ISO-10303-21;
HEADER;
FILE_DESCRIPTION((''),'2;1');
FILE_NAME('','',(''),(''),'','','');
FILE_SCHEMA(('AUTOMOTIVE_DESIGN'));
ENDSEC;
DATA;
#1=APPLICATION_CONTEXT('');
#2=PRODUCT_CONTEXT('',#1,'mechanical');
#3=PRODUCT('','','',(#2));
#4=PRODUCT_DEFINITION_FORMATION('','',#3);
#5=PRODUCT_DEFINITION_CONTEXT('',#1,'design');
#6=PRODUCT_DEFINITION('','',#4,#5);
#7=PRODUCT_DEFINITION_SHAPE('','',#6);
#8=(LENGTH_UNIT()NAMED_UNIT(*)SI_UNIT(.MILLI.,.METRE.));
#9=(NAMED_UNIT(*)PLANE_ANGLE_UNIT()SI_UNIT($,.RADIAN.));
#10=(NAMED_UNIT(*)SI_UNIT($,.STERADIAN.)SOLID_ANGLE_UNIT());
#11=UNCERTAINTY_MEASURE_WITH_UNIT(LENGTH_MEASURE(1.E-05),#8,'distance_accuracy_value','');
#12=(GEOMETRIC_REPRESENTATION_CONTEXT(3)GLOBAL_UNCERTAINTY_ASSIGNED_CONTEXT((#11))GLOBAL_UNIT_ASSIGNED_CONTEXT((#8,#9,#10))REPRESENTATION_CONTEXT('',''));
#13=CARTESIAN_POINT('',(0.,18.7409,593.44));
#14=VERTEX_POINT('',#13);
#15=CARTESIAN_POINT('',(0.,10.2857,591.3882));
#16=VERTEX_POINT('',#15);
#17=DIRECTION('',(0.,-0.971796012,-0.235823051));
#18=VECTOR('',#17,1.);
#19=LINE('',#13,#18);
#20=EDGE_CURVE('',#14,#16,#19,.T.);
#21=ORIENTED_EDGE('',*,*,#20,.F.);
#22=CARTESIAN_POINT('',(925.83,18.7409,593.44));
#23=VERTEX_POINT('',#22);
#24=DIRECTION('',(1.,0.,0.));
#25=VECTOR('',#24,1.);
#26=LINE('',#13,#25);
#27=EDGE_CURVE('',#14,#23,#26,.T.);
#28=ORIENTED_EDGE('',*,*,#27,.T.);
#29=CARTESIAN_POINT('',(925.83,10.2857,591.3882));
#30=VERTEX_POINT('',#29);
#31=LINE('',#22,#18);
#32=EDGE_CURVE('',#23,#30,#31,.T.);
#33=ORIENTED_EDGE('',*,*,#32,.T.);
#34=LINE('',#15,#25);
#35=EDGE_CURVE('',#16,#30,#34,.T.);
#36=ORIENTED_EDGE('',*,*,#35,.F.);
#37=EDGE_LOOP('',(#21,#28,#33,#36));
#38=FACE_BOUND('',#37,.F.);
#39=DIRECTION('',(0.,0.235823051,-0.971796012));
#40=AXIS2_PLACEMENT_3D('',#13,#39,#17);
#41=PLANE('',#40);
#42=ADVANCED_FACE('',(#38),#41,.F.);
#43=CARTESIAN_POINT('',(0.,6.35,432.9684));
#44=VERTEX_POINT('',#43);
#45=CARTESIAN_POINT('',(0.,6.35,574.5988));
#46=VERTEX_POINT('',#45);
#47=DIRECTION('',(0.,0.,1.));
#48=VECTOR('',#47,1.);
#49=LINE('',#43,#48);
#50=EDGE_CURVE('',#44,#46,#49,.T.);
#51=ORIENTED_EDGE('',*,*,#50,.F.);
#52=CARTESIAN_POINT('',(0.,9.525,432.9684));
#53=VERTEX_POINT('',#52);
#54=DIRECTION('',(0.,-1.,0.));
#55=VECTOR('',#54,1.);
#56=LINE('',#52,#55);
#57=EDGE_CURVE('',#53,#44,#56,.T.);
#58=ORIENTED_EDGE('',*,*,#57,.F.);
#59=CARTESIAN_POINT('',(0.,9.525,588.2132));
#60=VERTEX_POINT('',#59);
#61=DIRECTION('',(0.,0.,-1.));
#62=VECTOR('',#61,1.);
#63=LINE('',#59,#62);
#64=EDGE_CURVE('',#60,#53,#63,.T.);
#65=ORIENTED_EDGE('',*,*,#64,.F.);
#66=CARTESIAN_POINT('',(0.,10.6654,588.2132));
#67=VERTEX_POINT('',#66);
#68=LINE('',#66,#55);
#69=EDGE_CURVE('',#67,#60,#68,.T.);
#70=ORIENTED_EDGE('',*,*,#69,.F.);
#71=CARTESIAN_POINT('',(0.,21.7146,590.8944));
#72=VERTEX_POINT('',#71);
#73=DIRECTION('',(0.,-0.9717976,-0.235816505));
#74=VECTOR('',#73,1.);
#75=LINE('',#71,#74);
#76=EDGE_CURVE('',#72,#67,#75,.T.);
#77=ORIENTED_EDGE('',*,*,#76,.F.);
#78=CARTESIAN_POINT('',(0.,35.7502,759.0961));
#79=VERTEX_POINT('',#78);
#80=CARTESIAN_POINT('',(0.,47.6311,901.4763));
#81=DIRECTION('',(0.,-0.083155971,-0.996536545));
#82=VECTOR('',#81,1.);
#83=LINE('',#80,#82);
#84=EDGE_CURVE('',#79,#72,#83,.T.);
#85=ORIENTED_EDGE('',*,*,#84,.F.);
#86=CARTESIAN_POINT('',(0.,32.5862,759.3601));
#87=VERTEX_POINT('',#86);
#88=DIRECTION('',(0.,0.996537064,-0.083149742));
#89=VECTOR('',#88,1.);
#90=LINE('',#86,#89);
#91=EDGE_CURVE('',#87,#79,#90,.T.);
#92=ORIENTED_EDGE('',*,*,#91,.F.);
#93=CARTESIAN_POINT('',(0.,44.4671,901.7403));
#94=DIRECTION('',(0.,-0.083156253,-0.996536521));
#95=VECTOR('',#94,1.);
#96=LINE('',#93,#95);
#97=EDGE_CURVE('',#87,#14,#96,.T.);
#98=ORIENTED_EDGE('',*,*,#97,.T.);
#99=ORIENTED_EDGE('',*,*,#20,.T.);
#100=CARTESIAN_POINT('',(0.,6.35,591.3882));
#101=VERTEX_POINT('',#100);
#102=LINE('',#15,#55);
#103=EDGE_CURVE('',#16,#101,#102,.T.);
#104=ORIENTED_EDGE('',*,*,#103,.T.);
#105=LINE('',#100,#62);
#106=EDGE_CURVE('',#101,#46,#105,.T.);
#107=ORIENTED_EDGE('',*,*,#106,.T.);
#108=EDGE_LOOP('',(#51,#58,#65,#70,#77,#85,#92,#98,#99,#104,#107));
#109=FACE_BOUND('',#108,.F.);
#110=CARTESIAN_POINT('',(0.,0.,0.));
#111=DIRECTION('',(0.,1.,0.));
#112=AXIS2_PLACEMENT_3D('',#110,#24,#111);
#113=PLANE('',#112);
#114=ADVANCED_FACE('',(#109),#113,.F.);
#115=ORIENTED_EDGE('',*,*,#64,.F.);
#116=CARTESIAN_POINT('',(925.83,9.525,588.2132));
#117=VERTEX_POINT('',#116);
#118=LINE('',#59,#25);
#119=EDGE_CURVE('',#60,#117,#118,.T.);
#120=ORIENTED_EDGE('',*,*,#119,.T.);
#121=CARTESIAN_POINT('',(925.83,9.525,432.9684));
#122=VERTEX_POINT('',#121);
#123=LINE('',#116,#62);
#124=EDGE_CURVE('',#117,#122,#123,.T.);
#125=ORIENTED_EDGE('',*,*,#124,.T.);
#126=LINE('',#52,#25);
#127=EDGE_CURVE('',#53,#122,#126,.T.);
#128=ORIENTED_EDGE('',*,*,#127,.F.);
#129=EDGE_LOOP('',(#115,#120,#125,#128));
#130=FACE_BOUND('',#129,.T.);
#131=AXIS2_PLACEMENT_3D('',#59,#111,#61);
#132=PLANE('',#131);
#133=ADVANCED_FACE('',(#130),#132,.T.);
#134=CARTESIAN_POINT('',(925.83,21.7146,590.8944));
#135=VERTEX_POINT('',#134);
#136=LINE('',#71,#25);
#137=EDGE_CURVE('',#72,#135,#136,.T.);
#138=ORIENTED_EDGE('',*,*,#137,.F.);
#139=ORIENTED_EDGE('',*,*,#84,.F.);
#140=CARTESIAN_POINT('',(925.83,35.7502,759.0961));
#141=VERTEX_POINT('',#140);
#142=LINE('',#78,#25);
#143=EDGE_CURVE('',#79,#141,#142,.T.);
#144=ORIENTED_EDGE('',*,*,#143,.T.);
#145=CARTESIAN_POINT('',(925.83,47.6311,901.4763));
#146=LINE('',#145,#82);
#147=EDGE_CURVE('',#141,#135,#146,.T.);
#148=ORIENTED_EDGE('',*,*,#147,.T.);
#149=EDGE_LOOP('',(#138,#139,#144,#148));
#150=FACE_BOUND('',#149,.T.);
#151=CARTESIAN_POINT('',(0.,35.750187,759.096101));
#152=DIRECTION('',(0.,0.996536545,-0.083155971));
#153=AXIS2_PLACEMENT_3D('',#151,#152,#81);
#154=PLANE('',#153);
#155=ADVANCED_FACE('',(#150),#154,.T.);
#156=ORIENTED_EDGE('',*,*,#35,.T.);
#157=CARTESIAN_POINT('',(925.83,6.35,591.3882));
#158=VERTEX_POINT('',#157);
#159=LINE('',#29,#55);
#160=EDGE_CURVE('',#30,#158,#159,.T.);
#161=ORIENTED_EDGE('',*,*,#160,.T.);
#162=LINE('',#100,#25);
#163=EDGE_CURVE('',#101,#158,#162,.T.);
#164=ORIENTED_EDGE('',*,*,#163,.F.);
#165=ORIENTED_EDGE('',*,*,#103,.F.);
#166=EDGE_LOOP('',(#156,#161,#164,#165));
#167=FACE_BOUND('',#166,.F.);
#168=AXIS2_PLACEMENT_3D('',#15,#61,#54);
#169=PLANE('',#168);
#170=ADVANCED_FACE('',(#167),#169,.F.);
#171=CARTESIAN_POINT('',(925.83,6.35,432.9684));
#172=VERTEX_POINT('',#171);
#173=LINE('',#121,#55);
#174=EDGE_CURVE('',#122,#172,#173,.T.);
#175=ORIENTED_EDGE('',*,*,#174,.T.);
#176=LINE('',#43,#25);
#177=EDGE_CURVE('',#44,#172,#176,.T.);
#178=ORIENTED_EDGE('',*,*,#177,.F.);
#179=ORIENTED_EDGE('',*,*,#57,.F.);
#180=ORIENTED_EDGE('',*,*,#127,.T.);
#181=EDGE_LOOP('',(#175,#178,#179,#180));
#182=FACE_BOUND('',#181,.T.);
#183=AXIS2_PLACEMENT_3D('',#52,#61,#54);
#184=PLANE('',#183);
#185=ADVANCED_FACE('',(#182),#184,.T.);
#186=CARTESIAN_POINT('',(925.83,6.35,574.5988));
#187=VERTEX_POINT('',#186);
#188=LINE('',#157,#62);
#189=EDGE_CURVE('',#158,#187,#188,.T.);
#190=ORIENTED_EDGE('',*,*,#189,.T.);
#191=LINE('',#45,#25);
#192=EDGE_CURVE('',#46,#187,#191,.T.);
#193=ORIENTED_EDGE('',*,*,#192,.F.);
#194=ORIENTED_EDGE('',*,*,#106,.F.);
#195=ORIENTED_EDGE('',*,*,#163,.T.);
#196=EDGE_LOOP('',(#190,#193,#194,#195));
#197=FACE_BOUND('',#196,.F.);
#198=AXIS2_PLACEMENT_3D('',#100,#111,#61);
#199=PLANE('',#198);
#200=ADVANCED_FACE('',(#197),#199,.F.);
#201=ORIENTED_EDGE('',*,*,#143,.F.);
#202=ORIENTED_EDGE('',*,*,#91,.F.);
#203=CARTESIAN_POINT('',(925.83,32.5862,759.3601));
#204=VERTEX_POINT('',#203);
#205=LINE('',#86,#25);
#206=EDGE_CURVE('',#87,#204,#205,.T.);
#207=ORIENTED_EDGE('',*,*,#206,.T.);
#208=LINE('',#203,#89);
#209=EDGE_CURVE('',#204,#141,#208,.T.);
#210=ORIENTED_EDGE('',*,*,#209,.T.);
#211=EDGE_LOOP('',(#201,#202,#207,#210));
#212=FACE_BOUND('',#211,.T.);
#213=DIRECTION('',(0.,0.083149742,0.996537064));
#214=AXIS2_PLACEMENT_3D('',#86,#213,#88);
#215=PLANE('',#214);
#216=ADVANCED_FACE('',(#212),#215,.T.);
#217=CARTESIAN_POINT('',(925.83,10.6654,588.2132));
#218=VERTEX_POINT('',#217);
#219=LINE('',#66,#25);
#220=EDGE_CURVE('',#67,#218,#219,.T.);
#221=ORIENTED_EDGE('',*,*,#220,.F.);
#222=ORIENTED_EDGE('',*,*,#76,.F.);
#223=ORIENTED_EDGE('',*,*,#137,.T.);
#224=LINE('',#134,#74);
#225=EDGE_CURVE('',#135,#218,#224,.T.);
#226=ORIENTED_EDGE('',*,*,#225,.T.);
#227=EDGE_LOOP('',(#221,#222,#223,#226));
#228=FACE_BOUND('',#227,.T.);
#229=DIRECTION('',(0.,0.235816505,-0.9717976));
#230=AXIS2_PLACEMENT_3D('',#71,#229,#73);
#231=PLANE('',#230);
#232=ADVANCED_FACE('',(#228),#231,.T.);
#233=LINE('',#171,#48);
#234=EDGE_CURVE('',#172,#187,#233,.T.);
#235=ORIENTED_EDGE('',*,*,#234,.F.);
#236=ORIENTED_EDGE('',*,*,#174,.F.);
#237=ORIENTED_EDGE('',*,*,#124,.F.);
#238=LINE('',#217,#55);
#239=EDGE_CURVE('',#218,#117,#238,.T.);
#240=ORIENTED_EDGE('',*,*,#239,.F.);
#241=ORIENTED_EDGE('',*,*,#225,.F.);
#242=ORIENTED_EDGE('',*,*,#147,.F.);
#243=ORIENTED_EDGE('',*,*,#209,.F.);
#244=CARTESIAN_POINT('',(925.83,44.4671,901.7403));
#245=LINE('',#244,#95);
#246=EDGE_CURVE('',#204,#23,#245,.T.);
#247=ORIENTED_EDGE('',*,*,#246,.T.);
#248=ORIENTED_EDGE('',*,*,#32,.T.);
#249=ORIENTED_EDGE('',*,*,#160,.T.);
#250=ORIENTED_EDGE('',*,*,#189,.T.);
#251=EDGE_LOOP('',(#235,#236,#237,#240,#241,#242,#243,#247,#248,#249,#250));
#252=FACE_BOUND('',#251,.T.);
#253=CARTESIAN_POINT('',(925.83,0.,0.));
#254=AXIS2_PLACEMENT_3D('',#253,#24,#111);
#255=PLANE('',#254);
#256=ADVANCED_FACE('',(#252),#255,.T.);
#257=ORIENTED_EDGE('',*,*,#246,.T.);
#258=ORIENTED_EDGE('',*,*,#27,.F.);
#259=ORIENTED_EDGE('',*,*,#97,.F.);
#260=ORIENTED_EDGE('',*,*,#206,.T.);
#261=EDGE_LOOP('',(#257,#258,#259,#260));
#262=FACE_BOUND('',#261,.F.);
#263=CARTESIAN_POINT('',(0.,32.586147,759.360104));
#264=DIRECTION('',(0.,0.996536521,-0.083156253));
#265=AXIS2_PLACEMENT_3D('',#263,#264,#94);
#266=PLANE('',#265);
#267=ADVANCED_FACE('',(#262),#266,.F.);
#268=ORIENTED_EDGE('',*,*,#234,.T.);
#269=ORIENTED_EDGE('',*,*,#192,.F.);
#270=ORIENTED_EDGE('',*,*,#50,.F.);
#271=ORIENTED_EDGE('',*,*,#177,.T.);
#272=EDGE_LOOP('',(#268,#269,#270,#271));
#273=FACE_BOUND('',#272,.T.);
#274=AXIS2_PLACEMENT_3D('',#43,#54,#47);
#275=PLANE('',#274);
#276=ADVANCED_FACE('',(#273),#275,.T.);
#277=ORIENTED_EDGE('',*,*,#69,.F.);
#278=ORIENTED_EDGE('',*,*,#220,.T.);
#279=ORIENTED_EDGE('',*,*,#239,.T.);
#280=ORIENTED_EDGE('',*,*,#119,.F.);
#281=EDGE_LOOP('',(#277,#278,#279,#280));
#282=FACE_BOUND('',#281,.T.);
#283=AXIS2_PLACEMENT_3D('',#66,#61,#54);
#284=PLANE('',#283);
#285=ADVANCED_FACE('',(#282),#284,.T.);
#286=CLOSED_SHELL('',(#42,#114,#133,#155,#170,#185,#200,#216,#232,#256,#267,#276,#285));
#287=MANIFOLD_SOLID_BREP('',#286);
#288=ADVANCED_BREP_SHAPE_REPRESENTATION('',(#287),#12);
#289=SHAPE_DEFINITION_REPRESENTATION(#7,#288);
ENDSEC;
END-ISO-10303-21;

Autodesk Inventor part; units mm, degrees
ref_plane "YZ Plane" through (0, 0, 0) normal (1, 0, 0) x (0, 1, 0)
ref_plane "XZ Plane" through (0, 0, 0) normal (0, 1, 0) x (-1, 0, 0)
ref_plane "XY Plane" through (0, 0, 0) normal (0, 0, 1) x (1, 0, 0)
sketch "Sketch1" plane through (0, 0, 0) normal (1, 0, 0) x (0, 1, 0)
  line L0 (0, 0) -> (0, 597.7382)
  line L1 (0, 0) -> (3.175, 0)
  line L2 (3.175, 0) -> (3.175, 594.5632)
  line L3 (3.175, 594.5632) -> (9.906, 594.5632)
  line L4 (9.906, 594.5632) -> (15.756, 595.9828)
  line L5 (0, 597.7382) -> (9.5263, 597.7382)
  line L6 (9.5263, 597.7382) -> (12.7824, 598.5283)
  line L7 (41.2921, 902.0052) -> (15.756, 595.9828)
  line L8 (12.7824, 598.5283) -> (38.1281, 902.2692)
  line L9 (38.1281, 902.2692) -> (41.2921, 902.0052)
  line L10 (41.2921, 902.0052) -> (44.4671, 901.7403)
  line L11 (44.4671, 901.7403) -> (18.7409, 593.44)
  line L12 (18.7409, 593.44) -> (10.2857, 591.3882)
  line L13 (10.2857, 591.3882) -> (6.35, 591.3882)
  line L14 (6.35, 591.3882) -> (6.35, 574.5988)
  line L15 (6.35, 574.5988) -> (3.175, 574.5988)
  line L16 (44.4671, 901.7403) -> (47.6311, 901.4763)
  line L17 (47.6311, 901.4763) -> (21.7146, 590.8944)
  line L18 (21.7146, 590.8944) -> (10.6654, 588.2132)
  line L19 (10.6654, 588.2132) -> (9.525, 588.2132)
  line L20 (9.525, 588.2132) -> (9.525, 432.9684)
  line L21 (9.525, 432.9684) -> (6.35, 432.9684)
  line L22 (6.35, 432.9684) -> (6.35, 574.5988)
  line L23 (32.5862, 759.3601) -> (35.7502, 759.0961)
  point P0 (14.5133, 592.4141)
  dimension "d0" = 594.5632
  dimension "d1" = 3.175
  dimension "d2" = 6.731
  dimension "d7" = 3.175
  dimension "d8" = 6.0198
  dimension "d9" = 166.36
  dimension "d10" = 3.175
  dimension "d11" = 108.41
  dimension "d12" = 3.175
  dimension "d13" = 307.086
  dimension "d18" = 3.175
  dimension "d20" = 307.1025
  dimension "d21" = 8.7006
  dimension "d22" = 3.175
  dimension "d23" = 3.175
  dimension "d24" = 3.9357
  dimension "d25" = 16.7894
  dimension "d28" = 3.175
  dimension "d29" = 3.186
  dimension "d30" = 3.175
  dimension "d32" = 3.175
  dimension "d33" = 3.175
  dimension "d34" = 142.875
  dimension "d35" = 168.7862
  dimension "d36" = 11.3698
  dimension "d37" = 1.1404
  dimension "d38" = 155.2448
extrude "Extrusion3" add sketch "Sketch1" along normal blind 925.83 contours L14 L13 L12 L11 L23 L17 L18 L19 L20 L21 L22
properties part number "Second_Shingle_Over_Intake_Vent_With_Length_36.45_Inches"
